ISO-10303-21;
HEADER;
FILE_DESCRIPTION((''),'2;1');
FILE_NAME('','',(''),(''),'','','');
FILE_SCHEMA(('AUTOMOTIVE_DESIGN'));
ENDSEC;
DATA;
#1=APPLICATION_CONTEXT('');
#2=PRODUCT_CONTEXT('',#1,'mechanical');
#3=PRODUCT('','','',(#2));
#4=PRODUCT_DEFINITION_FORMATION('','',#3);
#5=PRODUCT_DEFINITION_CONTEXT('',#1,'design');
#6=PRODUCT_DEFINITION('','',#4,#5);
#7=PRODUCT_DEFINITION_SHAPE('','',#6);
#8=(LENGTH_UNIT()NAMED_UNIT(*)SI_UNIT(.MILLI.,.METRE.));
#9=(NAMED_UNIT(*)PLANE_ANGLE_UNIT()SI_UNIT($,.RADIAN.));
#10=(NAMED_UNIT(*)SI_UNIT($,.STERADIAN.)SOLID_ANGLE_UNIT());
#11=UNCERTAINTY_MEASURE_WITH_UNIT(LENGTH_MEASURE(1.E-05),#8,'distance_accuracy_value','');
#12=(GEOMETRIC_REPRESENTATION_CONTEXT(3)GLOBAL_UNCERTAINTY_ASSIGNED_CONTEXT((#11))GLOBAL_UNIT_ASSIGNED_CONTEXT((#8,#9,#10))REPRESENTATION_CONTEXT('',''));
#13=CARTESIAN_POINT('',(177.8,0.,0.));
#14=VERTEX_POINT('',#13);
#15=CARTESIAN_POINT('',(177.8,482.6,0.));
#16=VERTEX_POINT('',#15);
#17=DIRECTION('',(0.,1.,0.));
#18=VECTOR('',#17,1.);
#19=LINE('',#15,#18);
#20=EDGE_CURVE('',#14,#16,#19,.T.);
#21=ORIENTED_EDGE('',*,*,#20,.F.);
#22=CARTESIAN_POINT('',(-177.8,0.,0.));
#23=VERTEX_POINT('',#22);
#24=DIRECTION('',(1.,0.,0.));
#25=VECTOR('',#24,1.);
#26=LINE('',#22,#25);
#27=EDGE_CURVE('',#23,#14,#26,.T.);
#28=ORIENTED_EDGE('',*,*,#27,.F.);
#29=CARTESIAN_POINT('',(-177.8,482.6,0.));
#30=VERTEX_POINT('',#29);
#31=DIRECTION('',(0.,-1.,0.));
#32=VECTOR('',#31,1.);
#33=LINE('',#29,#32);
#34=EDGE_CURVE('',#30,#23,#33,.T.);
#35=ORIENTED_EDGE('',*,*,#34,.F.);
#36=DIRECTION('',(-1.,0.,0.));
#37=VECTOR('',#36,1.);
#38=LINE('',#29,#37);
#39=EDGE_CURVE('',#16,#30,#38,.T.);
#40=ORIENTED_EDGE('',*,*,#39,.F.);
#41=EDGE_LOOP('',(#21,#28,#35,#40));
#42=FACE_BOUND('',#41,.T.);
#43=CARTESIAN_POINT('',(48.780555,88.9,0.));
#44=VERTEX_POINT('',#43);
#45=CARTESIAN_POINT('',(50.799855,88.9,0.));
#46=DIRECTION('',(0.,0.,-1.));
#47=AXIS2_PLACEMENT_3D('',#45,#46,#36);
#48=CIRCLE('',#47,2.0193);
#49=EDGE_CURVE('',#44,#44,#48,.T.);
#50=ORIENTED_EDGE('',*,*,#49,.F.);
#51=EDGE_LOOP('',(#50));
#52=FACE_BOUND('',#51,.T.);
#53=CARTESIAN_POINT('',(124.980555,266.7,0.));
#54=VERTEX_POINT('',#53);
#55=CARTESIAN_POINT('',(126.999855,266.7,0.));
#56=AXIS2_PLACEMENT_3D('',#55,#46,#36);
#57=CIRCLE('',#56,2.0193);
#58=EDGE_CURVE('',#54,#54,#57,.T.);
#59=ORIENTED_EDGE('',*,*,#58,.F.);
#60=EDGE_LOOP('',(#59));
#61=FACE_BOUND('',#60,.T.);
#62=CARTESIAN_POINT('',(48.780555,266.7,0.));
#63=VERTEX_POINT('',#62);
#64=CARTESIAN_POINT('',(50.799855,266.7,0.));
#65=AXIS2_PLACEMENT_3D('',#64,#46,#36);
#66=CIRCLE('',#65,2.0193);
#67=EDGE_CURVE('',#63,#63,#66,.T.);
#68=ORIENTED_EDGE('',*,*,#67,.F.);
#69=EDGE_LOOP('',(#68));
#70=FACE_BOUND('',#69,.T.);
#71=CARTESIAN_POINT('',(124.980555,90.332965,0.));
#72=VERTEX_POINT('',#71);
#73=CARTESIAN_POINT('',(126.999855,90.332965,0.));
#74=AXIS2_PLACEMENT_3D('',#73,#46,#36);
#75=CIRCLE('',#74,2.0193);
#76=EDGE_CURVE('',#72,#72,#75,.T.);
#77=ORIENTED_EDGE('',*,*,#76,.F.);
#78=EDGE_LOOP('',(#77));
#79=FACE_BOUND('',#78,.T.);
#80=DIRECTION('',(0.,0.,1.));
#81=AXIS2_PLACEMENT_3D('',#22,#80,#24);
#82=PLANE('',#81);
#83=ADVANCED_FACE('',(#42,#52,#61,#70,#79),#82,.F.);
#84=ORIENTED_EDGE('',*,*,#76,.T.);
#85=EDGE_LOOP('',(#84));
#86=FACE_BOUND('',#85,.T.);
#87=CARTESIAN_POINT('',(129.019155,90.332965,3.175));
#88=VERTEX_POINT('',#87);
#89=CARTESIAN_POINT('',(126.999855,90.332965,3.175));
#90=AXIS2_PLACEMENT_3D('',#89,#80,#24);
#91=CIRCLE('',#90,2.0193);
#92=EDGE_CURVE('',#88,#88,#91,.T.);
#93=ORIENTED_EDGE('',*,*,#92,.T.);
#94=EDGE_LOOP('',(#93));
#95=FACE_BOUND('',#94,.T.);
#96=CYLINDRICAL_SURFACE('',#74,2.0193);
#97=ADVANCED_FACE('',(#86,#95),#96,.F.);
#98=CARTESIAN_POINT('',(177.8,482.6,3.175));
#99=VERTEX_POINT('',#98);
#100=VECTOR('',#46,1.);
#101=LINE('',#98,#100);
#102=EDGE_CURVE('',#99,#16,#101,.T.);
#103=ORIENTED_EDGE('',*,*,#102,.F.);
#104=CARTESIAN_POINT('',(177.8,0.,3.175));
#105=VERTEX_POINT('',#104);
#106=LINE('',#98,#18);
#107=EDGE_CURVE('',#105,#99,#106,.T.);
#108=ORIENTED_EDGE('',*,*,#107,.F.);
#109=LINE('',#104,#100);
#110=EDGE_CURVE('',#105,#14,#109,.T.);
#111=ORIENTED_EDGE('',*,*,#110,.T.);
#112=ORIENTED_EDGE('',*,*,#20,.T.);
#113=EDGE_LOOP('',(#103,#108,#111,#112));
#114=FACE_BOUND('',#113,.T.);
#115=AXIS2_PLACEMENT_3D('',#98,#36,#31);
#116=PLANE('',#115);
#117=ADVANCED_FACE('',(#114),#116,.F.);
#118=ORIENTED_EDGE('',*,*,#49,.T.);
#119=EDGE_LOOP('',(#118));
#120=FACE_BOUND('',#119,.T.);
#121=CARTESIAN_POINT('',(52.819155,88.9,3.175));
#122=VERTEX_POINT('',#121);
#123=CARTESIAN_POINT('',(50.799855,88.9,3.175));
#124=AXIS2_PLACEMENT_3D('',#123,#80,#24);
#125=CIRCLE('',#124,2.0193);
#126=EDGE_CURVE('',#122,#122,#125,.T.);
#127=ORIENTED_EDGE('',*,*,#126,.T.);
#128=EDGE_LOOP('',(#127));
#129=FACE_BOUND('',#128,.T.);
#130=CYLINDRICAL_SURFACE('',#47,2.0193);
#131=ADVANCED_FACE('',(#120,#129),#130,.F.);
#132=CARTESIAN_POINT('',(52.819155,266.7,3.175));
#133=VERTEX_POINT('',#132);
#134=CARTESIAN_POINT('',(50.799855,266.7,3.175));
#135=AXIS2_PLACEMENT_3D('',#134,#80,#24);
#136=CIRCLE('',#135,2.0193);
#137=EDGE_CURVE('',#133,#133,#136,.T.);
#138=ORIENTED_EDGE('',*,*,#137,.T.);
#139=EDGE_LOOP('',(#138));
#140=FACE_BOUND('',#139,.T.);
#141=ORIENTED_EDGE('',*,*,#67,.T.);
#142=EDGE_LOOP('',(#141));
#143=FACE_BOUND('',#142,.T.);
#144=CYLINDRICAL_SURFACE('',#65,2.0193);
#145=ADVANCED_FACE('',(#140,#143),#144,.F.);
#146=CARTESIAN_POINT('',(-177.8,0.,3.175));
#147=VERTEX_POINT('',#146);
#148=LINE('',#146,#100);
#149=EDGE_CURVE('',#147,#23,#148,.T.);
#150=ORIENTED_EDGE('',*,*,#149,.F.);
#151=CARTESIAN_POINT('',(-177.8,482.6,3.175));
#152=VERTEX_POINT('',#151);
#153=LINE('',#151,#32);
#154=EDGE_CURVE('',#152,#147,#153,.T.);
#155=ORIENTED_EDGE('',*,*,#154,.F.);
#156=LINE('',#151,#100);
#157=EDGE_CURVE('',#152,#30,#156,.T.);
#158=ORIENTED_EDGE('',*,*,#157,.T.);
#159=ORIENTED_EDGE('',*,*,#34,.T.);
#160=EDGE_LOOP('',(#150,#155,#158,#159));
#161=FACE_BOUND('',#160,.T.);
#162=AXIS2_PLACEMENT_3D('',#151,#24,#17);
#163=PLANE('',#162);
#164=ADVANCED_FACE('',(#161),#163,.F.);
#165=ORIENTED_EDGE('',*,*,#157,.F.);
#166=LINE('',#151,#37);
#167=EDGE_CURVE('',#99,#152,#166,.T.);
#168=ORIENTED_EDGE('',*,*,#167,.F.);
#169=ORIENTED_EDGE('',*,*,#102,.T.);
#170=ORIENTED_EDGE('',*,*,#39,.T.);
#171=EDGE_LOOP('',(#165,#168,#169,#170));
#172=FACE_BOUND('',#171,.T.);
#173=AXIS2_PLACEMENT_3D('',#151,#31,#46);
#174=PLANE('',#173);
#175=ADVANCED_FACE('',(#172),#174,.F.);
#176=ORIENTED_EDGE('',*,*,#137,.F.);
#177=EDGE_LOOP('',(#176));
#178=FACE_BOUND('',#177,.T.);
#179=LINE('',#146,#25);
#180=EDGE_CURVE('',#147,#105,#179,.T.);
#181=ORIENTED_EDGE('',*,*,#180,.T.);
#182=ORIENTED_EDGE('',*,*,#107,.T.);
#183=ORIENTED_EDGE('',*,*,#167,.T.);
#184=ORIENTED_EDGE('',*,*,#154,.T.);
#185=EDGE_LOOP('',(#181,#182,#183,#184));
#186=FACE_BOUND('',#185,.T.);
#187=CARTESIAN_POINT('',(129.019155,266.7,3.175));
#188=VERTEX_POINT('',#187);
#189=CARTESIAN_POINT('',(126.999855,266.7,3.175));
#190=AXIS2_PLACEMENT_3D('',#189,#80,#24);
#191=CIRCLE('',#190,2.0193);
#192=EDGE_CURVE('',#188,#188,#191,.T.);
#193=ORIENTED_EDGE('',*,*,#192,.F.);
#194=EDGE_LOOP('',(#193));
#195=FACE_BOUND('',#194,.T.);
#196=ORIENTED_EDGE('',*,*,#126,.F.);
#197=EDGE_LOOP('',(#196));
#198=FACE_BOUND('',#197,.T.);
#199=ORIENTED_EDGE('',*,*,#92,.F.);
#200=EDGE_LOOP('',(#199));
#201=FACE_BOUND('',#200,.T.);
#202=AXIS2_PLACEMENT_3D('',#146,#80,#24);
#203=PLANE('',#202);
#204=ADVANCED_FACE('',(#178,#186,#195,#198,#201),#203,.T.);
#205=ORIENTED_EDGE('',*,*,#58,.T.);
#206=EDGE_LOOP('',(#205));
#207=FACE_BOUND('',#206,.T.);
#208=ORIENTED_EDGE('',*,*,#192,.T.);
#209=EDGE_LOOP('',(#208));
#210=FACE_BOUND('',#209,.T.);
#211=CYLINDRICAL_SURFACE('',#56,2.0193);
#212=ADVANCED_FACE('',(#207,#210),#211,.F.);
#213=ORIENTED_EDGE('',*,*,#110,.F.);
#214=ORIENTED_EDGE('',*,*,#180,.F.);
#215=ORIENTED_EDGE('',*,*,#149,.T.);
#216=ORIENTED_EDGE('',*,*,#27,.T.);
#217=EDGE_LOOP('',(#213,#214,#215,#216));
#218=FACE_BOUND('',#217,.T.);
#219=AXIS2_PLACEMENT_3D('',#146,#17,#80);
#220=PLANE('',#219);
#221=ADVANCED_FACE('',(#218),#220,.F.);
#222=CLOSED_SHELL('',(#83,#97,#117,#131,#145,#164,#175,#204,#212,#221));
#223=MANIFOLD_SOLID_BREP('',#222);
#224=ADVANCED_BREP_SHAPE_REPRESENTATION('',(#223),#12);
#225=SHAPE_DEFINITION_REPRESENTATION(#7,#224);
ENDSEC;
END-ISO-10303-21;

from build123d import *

# Parameters (mm, degrees)
SKETCH1_W                  = 355.6
SKETCH1_H                  = 482.6
EXTRUDE1_DEPTH             = 3.175
F_10_CLEARANCE_HOLE1_D     = 4.0386
F_10_CLEARANCE_HOLE1_DEPTH = 3.175


with BuildPart() as part:
    # Sketch1 → Extrude1 (new body)
    with BuildSketch(Plane.XY):
        with Locations((0, 241.3)):
            Rectangle(SKETCH1_W, SKETCH1_H)
    extrude(amount=EXTRUDE1_DEPTH)

    # #10 Clearance Hole1
    with Locations(Plane(origin=(0, 0, 0), x_dir=(-1, 0, 0), z_dir=(0, 0, -1))):
        with Locations((-126.999855288, 266.7), (-50.799855288, 266.7), (-50.799855288, 88.9), (-126.999855288, 90.332964778)):
            Hole(F_10_CLEARANCE_HOLE1_D / 2, depth=F_10_CLEARANCE_HOLE1_DEPTH)


solid = part.part
